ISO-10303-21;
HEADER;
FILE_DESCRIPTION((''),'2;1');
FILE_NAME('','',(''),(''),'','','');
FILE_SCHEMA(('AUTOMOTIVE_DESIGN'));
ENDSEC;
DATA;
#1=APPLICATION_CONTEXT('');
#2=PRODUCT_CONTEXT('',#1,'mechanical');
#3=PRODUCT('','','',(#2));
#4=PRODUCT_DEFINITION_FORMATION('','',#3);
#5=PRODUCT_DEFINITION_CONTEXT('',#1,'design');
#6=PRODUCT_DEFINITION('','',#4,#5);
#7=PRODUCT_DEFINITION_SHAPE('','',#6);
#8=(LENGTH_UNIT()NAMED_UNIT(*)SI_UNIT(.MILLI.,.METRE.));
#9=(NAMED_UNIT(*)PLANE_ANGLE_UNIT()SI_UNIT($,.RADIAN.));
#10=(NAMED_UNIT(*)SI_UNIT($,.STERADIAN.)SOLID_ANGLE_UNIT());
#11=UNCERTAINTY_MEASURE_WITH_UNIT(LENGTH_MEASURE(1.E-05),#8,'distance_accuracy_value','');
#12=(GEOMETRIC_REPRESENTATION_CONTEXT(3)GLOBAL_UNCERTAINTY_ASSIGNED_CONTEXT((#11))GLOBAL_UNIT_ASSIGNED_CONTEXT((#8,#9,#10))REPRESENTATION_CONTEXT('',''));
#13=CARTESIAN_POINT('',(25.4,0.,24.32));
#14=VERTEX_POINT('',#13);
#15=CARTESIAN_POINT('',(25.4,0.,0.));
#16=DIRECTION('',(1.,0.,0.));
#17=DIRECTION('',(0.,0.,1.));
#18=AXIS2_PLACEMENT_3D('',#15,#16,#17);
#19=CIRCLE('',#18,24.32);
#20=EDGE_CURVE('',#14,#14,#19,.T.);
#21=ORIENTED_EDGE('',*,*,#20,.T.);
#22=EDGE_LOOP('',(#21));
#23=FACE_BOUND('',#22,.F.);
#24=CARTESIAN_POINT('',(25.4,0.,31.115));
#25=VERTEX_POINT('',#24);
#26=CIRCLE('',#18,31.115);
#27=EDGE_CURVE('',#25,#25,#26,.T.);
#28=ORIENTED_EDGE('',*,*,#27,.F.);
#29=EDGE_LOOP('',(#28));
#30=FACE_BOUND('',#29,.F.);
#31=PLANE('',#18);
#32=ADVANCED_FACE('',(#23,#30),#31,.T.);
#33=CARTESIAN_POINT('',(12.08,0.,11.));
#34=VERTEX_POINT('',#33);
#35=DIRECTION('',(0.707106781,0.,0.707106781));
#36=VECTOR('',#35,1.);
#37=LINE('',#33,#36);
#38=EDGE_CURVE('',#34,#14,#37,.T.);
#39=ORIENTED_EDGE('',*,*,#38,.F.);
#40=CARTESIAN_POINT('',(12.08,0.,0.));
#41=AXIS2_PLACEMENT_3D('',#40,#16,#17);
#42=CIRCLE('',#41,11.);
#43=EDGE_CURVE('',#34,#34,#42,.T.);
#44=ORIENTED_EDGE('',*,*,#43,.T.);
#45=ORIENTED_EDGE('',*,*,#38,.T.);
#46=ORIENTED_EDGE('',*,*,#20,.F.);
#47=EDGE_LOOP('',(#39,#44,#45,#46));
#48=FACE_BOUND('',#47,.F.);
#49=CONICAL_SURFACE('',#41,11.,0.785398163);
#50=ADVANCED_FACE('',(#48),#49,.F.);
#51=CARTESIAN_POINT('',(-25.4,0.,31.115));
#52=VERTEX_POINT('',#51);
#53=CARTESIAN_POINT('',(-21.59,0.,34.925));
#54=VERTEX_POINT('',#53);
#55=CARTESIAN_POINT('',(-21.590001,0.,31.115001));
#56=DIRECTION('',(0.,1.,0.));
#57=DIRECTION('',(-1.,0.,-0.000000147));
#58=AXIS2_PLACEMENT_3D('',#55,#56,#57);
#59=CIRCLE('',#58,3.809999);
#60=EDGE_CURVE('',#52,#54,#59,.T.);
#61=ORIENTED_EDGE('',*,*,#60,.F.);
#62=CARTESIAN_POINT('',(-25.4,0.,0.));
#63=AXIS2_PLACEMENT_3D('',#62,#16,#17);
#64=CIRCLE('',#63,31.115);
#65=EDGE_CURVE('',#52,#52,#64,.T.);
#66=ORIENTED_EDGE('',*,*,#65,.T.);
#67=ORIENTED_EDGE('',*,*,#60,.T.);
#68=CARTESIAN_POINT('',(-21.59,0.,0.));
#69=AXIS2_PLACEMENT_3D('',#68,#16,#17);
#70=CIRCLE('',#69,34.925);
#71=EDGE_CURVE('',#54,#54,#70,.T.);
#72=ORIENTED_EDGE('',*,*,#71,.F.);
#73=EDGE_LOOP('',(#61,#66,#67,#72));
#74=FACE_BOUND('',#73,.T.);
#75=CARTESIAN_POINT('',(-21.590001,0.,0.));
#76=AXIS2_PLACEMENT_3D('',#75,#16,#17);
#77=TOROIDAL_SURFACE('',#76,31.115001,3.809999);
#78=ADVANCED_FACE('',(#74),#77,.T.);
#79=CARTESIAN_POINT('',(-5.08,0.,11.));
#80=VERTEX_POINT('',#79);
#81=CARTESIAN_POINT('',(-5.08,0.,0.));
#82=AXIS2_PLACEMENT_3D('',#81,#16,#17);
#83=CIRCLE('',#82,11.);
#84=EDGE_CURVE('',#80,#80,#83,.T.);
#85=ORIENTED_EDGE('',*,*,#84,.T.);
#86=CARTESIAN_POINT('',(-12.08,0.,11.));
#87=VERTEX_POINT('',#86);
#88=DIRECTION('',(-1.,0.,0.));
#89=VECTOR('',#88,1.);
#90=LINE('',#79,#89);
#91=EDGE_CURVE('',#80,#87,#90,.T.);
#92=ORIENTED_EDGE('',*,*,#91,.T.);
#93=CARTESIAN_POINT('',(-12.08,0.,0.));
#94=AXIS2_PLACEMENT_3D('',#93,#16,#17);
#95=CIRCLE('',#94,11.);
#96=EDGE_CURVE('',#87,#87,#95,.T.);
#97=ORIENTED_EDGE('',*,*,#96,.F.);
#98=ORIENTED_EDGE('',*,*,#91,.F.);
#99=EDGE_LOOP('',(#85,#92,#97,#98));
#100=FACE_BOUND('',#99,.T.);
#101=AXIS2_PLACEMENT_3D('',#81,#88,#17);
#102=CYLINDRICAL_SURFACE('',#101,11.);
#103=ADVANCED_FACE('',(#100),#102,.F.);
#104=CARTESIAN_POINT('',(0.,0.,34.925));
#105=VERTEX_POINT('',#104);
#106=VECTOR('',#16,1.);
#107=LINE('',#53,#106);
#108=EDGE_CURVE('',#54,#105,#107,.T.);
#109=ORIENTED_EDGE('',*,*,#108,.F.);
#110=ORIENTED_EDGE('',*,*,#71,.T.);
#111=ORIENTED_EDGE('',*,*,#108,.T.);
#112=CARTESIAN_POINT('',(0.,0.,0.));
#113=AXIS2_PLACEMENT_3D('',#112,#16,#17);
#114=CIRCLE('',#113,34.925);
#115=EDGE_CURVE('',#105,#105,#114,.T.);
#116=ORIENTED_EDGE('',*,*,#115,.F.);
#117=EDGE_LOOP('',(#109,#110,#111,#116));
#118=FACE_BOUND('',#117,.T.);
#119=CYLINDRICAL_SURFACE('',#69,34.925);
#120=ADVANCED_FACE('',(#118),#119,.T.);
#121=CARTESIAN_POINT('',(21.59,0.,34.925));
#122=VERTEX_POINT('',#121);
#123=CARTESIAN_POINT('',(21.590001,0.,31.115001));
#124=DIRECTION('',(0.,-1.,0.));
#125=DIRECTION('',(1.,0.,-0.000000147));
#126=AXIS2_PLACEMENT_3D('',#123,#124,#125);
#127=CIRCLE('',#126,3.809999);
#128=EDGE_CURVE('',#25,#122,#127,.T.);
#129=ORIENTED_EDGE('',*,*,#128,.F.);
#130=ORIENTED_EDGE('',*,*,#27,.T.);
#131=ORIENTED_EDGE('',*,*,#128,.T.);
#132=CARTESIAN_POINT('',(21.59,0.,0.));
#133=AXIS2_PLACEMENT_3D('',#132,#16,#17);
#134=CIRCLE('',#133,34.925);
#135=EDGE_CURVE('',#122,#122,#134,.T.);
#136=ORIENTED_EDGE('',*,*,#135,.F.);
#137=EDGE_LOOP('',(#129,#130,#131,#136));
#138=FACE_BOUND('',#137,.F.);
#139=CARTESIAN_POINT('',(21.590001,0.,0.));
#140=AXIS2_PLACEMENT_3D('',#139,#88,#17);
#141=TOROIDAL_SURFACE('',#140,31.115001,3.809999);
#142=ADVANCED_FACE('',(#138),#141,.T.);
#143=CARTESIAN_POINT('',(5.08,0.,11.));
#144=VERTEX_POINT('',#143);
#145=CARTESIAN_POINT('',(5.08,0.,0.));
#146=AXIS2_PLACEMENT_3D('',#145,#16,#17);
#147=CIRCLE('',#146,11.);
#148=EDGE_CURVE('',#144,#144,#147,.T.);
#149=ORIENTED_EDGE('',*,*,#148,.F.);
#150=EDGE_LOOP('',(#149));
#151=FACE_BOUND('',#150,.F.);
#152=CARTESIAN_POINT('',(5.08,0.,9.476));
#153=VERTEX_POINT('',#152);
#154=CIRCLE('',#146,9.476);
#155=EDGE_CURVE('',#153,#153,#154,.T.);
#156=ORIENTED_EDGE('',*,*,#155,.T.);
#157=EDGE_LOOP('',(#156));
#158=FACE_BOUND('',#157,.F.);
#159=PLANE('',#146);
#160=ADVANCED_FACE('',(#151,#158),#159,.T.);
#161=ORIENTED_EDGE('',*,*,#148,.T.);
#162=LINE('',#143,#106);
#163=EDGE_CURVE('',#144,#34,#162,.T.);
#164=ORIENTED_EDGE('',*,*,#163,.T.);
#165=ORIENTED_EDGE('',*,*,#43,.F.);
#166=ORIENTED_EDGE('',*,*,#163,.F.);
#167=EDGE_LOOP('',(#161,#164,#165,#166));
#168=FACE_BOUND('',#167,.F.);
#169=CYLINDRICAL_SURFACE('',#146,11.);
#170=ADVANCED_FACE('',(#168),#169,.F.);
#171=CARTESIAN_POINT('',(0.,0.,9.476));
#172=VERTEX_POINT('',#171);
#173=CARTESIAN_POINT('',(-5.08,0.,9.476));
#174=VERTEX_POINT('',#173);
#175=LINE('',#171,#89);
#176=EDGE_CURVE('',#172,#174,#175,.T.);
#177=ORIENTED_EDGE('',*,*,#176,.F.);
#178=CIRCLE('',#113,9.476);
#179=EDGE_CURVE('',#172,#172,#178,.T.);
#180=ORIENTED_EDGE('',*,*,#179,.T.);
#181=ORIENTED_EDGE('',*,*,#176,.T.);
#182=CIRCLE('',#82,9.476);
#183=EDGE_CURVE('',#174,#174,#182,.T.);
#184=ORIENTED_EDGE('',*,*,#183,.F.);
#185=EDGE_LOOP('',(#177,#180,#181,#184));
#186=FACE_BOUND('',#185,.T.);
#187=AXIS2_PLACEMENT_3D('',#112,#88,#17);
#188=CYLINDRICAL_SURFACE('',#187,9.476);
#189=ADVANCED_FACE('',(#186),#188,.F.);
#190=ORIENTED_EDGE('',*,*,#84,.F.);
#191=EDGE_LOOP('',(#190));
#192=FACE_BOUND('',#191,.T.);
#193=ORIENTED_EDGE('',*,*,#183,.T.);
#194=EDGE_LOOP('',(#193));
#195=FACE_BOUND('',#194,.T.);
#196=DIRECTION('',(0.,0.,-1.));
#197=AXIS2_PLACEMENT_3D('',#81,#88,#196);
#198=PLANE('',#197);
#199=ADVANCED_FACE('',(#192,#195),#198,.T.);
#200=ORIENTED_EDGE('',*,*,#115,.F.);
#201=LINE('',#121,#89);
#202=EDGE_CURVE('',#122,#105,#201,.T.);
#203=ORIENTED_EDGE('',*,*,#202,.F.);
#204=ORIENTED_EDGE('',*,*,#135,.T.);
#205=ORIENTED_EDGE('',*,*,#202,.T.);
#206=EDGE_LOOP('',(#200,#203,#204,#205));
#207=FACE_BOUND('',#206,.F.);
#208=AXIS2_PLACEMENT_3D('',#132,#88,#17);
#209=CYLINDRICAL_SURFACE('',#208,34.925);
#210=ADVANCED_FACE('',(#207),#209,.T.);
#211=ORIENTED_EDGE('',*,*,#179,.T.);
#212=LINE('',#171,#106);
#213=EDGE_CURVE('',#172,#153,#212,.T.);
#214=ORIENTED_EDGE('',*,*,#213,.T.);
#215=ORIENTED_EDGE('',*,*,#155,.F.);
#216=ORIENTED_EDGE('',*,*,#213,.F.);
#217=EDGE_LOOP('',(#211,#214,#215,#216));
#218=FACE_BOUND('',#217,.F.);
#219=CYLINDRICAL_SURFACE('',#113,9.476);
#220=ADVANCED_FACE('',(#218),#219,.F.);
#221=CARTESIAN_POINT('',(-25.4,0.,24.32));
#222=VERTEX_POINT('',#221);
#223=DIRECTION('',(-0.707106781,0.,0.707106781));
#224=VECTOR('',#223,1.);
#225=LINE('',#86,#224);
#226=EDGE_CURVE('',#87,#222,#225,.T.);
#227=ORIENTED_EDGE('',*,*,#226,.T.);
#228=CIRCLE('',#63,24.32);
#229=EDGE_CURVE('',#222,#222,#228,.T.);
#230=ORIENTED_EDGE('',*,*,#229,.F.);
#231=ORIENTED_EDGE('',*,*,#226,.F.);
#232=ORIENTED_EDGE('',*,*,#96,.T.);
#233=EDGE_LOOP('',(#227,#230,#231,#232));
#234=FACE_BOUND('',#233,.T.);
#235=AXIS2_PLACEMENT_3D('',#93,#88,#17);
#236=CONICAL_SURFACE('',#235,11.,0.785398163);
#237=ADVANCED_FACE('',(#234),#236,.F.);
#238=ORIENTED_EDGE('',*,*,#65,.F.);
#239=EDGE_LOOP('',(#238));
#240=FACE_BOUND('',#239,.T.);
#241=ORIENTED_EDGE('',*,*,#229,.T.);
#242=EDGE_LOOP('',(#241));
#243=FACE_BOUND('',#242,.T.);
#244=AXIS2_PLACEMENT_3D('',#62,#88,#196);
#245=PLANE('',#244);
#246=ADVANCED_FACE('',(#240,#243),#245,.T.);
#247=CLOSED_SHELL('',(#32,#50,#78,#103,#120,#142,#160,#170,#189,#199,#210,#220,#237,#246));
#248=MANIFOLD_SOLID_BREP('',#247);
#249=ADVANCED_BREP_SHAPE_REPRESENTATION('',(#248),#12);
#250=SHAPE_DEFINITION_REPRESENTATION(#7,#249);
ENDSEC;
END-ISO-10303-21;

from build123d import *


with BuildPart() as f1:
    # F0 (on Front) → F1 (revolve)
    with BuildSketch(Plane.XZ):
        with BuildLine():
            Line((0, 34.925), (0, 9.476))
            Line((0, 9.476), (5.08, 9.476))
            Line((5.08, 9.476), (5.08, 11))
            Line((5.08, 11), (12.08, 11))
            Line((12.08, 11), (25.4, 24.32))
            Line((25.4, 24.32), (25.4, 31.115))
            ThreePointArc((25.4, 31.115), (24.284077, 33.809077), (21.59, 34.925))
            Line((21.59, 34.925), (0, 34.925))
        make_face()
    revolve(axis=Axis((17.488407, 0, 0), (1, 0, 0)))

    # F2: F1 across face


with BuildPart() as f1_1:
    add(f1.part)
    add(f1.part.mirror(Plane(origin=(0, 0, 0), x_dir=(0, -1, 0), z_dir=(-1, 0, 0))))


solid = f1_1.part
